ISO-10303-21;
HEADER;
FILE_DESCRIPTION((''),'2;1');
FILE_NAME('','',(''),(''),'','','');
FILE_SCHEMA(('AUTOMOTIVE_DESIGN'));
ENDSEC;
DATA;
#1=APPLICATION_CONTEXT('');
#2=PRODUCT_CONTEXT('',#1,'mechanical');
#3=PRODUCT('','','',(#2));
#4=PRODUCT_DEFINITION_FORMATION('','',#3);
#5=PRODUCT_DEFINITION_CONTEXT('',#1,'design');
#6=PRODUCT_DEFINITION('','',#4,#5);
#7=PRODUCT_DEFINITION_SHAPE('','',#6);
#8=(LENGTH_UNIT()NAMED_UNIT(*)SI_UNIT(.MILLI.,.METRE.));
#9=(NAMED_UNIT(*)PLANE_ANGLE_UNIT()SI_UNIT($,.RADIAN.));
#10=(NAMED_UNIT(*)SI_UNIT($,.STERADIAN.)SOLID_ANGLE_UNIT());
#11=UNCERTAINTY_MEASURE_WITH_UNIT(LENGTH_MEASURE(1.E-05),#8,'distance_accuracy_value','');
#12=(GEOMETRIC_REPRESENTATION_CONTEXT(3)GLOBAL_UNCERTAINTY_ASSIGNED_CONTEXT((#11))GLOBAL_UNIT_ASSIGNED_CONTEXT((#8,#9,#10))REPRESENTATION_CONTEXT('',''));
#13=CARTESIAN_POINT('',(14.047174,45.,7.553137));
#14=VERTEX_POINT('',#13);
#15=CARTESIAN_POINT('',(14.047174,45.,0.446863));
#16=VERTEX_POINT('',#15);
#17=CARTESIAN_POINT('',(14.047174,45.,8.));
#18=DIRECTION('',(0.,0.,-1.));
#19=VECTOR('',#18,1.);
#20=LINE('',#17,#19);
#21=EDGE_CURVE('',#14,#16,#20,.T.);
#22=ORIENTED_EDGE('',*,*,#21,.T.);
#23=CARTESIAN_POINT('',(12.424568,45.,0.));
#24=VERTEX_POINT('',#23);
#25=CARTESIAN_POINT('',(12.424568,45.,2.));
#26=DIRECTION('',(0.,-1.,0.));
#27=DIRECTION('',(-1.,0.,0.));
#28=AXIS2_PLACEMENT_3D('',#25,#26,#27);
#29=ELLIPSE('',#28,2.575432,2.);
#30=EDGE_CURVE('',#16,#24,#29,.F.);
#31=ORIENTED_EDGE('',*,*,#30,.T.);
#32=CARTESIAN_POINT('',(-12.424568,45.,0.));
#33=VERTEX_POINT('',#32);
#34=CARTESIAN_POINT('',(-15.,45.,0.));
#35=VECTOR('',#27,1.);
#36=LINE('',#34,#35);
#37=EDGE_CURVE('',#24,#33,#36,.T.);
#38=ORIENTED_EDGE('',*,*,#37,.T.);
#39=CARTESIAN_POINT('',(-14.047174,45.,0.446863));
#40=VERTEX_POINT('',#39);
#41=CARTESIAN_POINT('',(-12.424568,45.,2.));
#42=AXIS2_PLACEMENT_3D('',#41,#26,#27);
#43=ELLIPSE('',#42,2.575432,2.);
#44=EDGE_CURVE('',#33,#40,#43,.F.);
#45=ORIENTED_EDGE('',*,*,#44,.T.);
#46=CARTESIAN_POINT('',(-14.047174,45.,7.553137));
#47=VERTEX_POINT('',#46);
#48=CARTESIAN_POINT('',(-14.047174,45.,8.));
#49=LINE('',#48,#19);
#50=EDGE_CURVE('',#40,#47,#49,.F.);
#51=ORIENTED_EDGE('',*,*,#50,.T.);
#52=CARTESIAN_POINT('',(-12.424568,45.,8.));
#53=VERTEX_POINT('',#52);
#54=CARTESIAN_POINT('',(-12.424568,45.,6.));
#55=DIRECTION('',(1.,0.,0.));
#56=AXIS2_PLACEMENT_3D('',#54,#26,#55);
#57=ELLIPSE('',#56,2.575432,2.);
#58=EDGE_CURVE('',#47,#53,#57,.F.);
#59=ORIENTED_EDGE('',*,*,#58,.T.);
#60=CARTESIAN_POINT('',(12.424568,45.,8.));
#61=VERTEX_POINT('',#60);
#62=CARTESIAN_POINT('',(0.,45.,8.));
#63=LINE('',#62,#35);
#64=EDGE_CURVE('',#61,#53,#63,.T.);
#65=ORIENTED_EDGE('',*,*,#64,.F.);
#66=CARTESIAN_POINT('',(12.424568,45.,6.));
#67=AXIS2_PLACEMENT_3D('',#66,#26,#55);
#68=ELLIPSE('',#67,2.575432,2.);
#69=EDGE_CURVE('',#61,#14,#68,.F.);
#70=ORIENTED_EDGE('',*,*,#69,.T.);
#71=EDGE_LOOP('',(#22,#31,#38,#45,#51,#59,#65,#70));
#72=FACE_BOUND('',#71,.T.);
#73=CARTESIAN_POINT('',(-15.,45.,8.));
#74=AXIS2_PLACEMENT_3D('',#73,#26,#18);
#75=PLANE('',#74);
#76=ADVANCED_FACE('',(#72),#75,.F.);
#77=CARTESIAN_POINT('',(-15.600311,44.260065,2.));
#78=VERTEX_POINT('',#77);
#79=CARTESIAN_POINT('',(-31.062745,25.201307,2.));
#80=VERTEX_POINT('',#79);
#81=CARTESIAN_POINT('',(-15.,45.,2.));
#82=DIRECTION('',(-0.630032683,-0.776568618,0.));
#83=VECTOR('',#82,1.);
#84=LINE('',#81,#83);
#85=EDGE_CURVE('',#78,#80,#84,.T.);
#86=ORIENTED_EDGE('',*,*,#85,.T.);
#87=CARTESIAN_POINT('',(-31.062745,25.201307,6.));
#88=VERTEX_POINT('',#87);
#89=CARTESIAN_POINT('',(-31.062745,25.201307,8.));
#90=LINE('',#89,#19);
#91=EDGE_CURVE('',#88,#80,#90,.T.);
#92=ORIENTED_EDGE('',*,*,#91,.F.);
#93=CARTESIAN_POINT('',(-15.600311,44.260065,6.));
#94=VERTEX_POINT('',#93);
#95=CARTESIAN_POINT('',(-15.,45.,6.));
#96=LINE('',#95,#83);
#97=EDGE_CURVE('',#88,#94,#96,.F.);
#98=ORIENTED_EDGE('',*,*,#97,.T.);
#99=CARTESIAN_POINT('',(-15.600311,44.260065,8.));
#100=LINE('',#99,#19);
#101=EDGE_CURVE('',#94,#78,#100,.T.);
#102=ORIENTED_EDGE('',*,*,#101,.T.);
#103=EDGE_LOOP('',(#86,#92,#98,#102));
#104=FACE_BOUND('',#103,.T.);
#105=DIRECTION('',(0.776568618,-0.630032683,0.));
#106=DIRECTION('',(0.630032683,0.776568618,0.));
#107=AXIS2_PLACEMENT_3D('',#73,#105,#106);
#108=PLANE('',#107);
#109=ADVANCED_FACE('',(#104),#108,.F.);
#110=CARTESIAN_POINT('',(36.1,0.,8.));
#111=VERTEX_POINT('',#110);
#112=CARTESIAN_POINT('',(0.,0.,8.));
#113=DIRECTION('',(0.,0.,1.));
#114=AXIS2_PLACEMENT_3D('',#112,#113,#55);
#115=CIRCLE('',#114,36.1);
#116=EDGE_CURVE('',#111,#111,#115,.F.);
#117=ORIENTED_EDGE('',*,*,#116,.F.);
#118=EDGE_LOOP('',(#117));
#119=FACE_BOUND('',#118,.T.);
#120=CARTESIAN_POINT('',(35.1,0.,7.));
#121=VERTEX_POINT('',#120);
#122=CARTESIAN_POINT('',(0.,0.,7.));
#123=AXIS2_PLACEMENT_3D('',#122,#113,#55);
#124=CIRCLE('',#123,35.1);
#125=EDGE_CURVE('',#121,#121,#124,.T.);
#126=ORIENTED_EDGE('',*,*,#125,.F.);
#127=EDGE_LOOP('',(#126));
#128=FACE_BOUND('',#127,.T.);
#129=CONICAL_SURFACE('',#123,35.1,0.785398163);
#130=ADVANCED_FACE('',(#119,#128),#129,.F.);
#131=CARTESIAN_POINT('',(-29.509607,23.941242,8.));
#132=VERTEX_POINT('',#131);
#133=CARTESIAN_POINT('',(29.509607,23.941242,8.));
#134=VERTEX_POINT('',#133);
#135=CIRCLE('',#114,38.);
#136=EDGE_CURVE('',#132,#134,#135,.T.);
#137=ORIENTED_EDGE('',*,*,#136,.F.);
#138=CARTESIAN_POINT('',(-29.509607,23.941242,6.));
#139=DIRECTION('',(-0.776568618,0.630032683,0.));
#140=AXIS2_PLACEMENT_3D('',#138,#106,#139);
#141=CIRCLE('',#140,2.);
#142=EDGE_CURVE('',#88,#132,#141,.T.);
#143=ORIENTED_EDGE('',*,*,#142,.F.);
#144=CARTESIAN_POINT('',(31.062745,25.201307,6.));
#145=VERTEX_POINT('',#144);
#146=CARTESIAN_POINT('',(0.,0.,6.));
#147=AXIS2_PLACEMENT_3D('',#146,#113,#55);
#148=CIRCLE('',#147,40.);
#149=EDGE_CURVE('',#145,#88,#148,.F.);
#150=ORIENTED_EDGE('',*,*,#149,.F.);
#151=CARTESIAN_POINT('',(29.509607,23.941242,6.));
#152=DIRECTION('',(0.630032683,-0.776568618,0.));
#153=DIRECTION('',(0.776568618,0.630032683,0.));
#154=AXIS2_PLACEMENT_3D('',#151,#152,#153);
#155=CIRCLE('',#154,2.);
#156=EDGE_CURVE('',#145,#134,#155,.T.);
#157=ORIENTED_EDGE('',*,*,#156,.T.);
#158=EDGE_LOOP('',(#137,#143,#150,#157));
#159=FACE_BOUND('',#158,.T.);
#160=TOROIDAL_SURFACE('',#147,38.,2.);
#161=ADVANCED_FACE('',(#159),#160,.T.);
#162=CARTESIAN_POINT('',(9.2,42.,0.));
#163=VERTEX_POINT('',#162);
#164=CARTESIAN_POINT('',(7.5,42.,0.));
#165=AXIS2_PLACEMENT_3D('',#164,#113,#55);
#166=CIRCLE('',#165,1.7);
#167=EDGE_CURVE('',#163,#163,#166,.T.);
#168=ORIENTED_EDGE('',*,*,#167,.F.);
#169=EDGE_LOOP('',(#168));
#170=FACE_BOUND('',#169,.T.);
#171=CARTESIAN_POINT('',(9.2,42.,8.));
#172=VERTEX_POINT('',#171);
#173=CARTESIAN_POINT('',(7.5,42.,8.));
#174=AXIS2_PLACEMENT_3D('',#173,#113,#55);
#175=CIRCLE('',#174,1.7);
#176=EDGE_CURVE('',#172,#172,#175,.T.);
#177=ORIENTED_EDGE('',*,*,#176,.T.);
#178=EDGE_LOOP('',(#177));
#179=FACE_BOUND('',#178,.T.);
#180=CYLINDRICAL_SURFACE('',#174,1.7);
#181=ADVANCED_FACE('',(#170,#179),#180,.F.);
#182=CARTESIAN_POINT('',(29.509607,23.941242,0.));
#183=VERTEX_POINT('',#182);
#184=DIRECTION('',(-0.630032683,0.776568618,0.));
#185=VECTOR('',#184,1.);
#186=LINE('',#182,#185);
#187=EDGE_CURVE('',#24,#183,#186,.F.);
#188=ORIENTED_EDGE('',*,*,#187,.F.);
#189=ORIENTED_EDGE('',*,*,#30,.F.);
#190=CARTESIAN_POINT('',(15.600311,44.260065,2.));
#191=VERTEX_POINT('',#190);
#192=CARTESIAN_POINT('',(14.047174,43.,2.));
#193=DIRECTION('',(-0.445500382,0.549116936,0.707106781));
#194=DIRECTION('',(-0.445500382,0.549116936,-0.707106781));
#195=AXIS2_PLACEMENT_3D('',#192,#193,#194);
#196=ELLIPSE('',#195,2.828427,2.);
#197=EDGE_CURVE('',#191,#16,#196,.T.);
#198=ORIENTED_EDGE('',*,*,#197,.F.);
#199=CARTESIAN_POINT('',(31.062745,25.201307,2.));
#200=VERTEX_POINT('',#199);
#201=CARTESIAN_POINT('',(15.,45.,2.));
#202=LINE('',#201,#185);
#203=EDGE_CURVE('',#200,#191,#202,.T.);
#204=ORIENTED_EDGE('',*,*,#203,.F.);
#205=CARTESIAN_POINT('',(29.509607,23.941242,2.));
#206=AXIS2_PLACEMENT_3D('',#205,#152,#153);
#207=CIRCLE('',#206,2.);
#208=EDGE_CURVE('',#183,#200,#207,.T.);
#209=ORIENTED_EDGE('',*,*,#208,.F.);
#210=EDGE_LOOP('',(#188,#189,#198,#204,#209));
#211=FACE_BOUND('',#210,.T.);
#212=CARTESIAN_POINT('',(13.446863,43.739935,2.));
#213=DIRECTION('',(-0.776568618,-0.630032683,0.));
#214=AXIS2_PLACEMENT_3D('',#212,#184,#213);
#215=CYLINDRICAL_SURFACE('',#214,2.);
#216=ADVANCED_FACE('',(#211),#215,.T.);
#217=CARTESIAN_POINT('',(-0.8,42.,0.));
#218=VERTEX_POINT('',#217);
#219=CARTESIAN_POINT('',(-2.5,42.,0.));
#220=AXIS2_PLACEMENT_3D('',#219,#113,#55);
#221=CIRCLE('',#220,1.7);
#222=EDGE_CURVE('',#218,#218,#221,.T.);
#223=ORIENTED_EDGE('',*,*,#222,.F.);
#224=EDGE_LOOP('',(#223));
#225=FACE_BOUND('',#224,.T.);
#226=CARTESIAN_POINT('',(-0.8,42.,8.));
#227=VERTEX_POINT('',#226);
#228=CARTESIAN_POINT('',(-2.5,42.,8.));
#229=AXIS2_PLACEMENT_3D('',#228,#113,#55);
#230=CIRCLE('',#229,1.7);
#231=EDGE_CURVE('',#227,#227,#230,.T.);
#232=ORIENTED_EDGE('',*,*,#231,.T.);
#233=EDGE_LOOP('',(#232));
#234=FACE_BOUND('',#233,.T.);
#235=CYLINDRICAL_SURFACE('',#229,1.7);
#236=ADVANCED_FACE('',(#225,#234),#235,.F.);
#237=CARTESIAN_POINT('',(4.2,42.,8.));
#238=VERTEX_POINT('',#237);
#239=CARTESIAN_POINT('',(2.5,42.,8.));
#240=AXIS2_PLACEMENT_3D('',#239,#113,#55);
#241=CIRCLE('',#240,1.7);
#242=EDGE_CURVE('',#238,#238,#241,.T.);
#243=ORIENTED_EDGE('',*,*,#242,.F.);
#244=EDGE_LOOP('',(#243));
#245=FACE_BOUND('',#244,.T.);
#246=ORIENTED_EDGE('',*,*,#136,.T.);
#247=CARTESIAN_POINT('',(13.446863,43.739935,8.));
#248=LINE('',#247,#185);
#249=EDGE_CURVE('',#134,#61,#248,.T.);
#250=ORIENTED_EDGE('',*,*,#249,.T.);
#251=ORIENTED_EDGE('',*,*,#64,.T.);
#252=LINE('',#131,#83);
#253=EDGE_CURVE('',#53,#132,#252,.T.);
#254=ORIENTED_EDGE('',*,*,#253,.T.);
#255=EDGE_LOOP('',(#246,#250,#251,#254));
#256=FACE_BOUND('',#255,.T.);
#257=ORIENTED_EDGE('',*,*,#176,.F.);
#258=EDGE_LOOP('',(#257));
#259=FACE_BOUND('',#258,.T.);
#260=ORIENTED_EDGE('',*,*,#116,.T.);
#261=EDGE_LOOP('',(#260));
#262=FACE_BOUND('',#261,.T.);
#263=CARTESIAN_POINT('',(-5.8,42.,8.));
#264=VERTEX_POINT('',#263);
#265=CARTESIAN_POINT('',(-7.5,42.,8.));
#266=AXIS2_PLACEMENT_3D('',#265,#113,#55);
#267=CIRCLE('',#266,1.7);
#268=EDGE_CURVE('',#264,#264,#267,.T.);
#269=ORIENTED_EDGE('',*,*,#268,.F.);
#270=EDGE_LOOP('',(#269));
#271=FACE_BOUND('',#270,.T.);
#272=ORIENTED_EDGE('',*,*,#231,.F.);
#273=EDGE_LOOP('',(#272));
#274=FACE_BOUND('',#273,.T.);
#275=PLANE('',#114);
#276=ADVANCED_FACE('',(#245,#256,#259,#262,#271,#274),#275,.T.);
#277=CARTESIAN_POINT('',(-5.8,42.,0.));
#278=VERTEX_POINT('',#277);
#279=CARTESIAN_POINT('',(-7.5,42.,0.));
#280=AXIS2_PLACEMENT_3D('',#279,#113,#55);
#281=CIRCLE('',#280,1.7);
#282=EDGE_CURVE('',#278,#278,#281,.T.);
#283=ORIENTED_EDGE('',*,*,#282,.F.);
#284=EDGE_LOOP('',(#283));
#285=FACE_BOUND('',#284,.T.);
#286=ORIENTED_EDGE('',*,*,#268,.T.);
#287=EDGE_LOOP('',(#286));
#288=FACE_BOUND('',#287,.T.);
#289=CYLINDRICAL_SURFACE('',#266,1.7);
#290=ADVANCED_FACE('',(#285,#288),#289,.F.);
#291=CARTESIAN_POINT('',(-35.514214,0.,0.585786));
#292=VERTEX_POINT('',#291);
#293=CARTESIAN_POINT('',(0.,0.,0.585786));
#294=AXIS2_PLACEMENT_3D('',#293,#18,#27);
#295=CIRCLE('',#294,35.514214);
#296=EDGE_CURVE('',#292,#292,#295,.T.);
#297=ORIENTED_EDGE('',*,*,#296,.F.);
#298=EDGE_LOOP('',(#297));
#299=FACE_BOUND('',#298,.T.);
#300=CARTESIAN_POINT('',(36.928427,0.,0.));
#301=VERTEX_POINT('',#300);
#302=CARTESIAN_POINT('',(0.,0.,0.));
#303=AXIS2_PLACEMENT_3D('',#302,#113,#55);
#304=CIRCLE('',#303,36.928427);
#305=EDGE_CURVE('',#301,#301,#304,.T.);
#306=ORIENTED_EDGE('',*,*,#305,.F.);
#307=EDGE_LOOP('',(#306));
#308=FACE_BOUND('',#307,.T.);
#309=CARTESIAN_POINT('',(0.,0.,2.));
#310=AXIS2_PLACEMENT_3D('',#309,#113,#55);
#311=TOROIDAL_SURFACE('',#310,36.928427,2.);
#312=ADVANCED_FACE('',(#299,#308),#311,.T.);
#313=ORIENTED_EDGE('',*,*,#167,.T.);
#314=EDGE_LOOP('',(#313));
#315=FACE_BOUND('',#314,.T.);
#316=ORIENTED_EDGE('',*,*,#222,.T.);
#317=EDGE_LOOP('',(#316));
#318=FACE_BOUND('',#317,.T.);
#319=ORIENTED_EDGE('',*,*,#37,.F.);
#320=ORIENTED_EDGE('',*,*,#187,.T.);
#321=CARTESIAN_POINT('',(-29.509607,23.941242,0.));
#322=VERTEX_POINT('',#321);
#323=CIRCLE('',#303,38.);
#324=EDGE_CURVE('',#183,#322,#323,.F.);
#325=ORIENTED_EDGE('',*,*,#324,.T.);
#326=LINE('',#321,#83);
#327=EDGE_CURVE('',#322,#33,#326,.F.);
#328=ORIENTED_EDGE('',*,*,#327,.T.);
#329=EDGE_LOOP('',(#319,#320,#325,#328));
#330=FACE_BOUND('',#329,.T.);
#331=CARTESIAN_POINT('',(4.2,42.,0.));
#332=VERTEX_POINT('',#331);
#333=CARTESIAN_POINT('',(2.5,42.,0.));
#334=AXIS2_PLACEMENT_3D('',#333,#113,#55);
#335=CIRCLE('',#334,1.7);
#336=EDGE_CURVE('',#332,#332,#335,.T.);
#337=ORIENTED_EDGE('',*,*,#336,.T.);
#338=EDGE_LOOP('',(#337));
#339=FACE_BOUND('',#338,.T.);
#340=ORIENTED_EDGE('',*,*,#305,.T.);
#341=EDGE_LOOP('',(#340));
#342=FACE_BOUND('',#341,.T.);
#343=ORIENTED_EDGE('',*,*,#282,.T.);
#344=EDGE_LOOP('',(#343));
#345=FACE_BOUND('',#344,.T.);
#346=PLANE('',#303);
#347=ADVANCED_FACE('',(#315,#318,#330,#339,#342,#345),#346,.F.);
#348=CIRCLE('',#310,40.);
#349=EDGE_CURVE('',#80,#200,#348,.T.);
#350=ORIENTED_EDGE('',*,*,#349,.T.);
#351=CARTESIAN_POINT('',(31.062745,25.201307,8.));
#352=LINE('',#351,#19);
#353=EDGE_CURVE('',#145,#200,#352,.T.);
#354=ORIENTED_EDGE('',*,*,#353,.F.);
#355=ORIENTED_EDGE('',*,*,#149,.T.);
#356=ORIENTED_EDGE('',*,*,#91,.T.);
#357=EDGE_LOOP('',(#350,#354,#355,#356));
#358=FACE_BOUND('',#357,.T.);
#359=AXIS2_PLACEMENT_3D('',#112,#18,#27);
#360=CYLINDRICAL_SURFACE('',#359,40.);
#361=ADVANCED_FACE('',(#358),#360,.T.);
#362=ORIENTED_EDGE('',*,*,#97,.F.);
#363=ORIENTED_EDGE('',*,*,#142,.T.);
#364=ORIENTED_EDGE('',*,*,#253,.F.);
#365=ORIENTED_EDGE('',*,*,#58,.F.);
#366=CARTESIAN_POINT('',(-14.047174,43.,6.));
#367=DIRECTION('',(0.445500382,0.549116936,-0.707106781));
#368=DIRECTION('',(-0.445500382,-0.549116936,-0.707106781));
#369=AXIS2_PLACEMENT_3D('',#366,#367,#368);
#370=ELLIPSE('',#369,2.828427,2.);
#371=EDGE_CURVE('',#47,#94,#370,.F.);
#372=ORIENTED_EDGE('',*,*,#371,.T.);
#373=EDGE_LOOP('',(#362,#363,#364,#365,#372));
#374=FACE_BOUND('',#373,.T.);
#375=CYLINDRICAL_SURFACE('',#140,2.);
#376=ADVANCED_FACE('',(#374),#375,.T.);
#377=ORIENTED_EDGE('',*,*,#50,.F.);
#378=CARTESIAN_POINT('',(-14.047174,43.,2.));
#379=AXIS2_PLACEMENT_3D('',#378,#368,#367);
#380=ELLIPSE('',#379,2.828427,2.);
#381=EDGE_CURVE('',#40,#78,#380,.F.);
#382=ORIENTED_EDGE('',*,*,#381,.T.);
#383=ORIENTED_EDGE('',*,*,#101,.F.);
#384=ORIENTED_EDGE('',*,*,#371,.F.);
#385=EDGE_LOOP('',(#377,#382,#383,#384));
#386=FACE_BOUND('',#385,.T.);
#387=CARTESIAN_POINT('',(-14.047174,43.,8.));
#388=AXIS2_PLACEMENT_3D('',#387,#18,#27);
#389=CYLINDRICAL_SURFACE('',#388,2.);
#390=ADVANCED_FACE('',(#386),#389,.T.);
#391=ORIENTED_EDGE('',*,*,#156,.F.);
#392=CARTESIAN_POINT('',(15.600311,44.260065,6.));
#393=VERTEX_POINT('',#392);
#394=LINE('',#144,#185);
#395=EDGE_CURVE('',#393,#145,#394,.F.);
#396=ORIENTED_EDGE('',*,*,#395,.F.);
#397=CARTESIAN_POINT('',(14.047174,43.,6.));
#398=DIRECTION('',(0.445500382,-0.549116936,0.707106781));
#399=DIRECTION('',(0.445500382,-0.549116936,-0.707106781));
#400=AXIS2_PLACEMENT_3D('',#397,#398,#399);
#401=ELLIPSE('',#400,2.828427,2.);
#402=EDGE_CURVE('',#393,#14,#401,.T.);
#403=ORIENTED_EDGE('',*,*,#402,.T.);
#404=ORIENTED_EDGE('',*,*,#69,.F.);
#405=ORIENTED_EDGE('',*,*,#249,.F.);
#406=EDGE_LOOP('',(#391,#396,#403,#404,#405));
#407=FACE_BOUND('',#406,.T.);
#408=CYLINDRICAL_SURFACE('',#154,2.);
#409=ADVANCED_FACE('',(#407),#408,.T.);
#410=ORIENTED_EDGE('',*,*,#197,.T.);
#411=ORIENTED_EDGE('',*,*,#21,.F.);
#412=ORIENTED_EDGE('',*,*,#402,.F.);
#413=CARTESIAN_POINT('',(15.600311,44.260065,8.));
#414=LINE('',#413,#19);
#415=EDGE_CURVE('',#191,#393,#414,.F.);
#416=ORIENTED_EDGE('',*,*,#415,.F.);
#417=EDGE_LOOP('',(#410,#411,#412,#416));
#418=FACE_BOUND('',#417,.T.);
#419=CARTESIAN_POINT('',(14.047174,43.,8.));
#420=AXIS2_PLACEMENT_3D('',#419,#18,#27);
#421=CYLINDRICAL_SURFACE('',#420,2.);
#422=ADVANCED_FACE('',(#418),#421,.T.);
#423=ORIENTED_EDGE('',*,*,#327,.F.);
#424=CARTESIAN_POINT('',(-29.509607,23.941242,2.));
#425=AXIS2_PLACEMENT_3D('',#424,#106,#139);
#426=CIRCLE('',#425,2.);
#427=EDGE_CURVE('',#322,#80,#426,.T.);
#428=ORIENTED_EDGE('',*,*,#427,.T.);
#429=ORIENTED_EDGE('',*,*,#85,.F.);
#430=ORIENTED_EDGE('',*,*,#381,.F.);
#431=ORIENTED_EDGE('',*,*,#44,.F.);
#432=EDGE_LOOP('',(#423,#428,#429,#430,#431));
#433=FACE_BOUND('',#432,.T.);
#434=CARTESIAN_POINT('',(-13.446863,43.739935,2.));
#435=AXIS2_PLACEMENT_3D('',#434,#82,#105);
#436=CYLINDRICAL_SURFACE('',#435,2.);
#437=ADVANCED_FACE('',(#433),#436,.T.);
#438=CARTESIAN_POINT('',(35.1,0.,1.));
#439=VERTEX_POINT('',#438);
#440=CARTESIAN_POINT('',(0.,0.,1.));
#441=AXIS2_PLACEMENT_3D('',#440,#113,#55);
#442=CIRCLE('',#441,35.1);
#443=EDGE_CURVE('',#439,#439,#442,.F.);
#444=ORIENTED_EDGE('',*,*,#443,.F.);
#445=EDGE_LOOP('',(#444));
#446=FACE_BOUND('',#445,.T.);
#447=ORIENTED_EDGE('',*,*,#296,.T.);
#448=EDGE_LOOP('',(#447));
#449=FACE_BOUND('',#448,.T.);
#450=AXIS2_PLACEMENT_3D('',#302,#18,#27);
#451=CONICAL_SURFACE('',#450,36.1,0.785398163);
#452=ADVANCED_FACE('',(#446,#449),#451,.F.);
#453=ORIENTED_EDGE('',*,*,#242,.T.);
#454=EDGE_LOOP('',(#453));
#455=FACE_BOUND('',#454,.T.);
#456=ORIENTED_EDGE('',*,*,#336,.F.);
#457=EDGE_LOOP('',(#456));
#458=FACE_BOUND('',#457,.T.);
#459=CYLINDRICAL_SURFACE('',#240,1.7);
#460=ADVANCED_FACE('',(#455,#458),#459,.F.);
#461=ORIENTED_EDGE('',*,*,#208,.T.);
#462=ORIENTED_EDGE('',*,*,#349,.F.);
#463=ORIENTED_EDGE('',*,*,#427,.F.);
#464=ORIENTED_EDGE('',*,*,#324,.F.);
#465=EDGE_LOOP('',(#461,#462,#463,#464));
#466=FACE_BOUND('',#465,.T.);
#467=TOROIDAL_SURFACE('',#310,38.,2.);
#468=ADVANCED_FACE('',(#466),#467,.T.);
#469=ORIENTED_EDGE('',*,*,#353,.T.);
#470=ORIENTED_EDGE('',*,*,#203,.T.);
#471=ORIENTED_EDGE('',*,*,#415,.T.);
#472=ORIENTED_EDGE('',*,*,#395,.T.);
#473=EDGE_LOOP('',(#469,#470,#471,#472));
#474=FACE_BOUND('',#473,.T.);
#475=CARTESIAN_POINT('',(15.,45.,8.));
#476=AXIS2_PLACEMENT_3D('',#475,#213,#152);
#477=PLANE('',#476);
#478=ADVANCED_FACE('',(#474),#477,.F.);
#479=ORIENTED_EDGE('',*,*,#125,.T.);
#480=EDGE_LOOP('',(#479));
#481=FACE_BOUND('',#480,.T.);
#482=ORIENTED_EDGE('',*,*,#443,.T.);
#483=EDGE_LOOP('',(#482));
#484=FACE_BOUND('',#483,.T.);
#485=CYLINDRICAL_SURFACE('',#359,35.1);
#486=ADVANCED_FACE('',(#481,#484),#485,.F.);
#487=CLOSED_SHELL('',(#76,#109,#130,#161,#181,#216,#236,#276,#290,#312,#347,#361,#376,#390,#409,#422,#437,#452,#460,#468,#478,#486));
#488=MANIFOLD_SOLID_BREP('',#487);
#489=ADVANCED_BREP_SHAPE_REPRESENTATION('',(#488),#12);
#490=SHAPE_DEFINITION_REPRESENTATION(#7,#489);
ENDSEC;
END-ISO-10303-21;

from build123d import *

# Parameters (mm, degrees)
SKETCH1_R                = 35.1
BOSS_EXTRUDE1_DEPTH      = 8
M3_CLEARANCE_HOLE1_D     = 3.4
M3_CLEARANCE_HOLE1_DEPTH = 8
M3_CLEARANCE_HOLE1_TIP   = 1.021463052
CHAMFER1_SIZE            = 1
FILLET1_R                = 2


with BuildPart() as part:
    # Sketch1 → Boss-Extrude1 (new body)
    with BuildSketch(Plane.XY):
        with BuildLine():
            Line((-15, 45), (0, 45))
            Line((0, 45), (15, 45))
            Line((15, 45), (31.062744721, 25.201307315))
            ThreePointArc((31.062744721, 25.201307315), (0, -40), (-31.062744721, 25.201307315))
            Line((-31.062744721, 25.201307315), (-15, 45))
        make_face()
        Circle(SKETCH1_R, mode=Mode.SUBTRACT)
    extrude(amount=BOSS_EXTRUDE1_DEPTH)

    # M3 Clearance Hole1
    with Locations(Plane.XY.offset(8)):
        with Locations((7.5, 42), (-2.5, 42), (-7.5, 42), (2.5, 42)):
            Hole(M3_CLEARANCE_HOLE1_D / 2, depth=M3_CLEARANCE_HOLE1_DEPTH)
            with Locations((0, 0, -(M3_CLEARANCE_HOLE1_DEPTH + M3_CLEARANCE_HOLE1_TIP / 2))):  # 118° drill point
                Cone(0, M3_CLEARANCE_HOLE1_D / 2, M3_CLEARANCE_HOLE1_TIP, mode=Mode.SUBTRACT)

    # Chamfer1
    chamfer1_edges = [part.edges().sort_by_distance(p)[0] for p in [
        (-35.1, 0, 0),
        (-35.1, 0, 8),
    ]]
    chamfer(chamfer1_edges, length=CHAMFER1_SIZE)

    # Fillet1
    fillet1_edges = [part.edges().sort_by_distance(p)[0] for p in [
        (23.031372361, 35.100653658, 8),
        (-36.1, 0, 0),
        (-23.031372361, 35.100653658, 8),
        (23.031372361, 35.100653658, 0),
        (0, -40, 0),
        (-23.031372361, 35.100653658, 0),
        (0, -40, 8),
        (-15, 45, 4),
        (15, 45, 4),
    ]]
    fillet(fillet1_edges, radius=FILLET1_R)


solid = part.part
